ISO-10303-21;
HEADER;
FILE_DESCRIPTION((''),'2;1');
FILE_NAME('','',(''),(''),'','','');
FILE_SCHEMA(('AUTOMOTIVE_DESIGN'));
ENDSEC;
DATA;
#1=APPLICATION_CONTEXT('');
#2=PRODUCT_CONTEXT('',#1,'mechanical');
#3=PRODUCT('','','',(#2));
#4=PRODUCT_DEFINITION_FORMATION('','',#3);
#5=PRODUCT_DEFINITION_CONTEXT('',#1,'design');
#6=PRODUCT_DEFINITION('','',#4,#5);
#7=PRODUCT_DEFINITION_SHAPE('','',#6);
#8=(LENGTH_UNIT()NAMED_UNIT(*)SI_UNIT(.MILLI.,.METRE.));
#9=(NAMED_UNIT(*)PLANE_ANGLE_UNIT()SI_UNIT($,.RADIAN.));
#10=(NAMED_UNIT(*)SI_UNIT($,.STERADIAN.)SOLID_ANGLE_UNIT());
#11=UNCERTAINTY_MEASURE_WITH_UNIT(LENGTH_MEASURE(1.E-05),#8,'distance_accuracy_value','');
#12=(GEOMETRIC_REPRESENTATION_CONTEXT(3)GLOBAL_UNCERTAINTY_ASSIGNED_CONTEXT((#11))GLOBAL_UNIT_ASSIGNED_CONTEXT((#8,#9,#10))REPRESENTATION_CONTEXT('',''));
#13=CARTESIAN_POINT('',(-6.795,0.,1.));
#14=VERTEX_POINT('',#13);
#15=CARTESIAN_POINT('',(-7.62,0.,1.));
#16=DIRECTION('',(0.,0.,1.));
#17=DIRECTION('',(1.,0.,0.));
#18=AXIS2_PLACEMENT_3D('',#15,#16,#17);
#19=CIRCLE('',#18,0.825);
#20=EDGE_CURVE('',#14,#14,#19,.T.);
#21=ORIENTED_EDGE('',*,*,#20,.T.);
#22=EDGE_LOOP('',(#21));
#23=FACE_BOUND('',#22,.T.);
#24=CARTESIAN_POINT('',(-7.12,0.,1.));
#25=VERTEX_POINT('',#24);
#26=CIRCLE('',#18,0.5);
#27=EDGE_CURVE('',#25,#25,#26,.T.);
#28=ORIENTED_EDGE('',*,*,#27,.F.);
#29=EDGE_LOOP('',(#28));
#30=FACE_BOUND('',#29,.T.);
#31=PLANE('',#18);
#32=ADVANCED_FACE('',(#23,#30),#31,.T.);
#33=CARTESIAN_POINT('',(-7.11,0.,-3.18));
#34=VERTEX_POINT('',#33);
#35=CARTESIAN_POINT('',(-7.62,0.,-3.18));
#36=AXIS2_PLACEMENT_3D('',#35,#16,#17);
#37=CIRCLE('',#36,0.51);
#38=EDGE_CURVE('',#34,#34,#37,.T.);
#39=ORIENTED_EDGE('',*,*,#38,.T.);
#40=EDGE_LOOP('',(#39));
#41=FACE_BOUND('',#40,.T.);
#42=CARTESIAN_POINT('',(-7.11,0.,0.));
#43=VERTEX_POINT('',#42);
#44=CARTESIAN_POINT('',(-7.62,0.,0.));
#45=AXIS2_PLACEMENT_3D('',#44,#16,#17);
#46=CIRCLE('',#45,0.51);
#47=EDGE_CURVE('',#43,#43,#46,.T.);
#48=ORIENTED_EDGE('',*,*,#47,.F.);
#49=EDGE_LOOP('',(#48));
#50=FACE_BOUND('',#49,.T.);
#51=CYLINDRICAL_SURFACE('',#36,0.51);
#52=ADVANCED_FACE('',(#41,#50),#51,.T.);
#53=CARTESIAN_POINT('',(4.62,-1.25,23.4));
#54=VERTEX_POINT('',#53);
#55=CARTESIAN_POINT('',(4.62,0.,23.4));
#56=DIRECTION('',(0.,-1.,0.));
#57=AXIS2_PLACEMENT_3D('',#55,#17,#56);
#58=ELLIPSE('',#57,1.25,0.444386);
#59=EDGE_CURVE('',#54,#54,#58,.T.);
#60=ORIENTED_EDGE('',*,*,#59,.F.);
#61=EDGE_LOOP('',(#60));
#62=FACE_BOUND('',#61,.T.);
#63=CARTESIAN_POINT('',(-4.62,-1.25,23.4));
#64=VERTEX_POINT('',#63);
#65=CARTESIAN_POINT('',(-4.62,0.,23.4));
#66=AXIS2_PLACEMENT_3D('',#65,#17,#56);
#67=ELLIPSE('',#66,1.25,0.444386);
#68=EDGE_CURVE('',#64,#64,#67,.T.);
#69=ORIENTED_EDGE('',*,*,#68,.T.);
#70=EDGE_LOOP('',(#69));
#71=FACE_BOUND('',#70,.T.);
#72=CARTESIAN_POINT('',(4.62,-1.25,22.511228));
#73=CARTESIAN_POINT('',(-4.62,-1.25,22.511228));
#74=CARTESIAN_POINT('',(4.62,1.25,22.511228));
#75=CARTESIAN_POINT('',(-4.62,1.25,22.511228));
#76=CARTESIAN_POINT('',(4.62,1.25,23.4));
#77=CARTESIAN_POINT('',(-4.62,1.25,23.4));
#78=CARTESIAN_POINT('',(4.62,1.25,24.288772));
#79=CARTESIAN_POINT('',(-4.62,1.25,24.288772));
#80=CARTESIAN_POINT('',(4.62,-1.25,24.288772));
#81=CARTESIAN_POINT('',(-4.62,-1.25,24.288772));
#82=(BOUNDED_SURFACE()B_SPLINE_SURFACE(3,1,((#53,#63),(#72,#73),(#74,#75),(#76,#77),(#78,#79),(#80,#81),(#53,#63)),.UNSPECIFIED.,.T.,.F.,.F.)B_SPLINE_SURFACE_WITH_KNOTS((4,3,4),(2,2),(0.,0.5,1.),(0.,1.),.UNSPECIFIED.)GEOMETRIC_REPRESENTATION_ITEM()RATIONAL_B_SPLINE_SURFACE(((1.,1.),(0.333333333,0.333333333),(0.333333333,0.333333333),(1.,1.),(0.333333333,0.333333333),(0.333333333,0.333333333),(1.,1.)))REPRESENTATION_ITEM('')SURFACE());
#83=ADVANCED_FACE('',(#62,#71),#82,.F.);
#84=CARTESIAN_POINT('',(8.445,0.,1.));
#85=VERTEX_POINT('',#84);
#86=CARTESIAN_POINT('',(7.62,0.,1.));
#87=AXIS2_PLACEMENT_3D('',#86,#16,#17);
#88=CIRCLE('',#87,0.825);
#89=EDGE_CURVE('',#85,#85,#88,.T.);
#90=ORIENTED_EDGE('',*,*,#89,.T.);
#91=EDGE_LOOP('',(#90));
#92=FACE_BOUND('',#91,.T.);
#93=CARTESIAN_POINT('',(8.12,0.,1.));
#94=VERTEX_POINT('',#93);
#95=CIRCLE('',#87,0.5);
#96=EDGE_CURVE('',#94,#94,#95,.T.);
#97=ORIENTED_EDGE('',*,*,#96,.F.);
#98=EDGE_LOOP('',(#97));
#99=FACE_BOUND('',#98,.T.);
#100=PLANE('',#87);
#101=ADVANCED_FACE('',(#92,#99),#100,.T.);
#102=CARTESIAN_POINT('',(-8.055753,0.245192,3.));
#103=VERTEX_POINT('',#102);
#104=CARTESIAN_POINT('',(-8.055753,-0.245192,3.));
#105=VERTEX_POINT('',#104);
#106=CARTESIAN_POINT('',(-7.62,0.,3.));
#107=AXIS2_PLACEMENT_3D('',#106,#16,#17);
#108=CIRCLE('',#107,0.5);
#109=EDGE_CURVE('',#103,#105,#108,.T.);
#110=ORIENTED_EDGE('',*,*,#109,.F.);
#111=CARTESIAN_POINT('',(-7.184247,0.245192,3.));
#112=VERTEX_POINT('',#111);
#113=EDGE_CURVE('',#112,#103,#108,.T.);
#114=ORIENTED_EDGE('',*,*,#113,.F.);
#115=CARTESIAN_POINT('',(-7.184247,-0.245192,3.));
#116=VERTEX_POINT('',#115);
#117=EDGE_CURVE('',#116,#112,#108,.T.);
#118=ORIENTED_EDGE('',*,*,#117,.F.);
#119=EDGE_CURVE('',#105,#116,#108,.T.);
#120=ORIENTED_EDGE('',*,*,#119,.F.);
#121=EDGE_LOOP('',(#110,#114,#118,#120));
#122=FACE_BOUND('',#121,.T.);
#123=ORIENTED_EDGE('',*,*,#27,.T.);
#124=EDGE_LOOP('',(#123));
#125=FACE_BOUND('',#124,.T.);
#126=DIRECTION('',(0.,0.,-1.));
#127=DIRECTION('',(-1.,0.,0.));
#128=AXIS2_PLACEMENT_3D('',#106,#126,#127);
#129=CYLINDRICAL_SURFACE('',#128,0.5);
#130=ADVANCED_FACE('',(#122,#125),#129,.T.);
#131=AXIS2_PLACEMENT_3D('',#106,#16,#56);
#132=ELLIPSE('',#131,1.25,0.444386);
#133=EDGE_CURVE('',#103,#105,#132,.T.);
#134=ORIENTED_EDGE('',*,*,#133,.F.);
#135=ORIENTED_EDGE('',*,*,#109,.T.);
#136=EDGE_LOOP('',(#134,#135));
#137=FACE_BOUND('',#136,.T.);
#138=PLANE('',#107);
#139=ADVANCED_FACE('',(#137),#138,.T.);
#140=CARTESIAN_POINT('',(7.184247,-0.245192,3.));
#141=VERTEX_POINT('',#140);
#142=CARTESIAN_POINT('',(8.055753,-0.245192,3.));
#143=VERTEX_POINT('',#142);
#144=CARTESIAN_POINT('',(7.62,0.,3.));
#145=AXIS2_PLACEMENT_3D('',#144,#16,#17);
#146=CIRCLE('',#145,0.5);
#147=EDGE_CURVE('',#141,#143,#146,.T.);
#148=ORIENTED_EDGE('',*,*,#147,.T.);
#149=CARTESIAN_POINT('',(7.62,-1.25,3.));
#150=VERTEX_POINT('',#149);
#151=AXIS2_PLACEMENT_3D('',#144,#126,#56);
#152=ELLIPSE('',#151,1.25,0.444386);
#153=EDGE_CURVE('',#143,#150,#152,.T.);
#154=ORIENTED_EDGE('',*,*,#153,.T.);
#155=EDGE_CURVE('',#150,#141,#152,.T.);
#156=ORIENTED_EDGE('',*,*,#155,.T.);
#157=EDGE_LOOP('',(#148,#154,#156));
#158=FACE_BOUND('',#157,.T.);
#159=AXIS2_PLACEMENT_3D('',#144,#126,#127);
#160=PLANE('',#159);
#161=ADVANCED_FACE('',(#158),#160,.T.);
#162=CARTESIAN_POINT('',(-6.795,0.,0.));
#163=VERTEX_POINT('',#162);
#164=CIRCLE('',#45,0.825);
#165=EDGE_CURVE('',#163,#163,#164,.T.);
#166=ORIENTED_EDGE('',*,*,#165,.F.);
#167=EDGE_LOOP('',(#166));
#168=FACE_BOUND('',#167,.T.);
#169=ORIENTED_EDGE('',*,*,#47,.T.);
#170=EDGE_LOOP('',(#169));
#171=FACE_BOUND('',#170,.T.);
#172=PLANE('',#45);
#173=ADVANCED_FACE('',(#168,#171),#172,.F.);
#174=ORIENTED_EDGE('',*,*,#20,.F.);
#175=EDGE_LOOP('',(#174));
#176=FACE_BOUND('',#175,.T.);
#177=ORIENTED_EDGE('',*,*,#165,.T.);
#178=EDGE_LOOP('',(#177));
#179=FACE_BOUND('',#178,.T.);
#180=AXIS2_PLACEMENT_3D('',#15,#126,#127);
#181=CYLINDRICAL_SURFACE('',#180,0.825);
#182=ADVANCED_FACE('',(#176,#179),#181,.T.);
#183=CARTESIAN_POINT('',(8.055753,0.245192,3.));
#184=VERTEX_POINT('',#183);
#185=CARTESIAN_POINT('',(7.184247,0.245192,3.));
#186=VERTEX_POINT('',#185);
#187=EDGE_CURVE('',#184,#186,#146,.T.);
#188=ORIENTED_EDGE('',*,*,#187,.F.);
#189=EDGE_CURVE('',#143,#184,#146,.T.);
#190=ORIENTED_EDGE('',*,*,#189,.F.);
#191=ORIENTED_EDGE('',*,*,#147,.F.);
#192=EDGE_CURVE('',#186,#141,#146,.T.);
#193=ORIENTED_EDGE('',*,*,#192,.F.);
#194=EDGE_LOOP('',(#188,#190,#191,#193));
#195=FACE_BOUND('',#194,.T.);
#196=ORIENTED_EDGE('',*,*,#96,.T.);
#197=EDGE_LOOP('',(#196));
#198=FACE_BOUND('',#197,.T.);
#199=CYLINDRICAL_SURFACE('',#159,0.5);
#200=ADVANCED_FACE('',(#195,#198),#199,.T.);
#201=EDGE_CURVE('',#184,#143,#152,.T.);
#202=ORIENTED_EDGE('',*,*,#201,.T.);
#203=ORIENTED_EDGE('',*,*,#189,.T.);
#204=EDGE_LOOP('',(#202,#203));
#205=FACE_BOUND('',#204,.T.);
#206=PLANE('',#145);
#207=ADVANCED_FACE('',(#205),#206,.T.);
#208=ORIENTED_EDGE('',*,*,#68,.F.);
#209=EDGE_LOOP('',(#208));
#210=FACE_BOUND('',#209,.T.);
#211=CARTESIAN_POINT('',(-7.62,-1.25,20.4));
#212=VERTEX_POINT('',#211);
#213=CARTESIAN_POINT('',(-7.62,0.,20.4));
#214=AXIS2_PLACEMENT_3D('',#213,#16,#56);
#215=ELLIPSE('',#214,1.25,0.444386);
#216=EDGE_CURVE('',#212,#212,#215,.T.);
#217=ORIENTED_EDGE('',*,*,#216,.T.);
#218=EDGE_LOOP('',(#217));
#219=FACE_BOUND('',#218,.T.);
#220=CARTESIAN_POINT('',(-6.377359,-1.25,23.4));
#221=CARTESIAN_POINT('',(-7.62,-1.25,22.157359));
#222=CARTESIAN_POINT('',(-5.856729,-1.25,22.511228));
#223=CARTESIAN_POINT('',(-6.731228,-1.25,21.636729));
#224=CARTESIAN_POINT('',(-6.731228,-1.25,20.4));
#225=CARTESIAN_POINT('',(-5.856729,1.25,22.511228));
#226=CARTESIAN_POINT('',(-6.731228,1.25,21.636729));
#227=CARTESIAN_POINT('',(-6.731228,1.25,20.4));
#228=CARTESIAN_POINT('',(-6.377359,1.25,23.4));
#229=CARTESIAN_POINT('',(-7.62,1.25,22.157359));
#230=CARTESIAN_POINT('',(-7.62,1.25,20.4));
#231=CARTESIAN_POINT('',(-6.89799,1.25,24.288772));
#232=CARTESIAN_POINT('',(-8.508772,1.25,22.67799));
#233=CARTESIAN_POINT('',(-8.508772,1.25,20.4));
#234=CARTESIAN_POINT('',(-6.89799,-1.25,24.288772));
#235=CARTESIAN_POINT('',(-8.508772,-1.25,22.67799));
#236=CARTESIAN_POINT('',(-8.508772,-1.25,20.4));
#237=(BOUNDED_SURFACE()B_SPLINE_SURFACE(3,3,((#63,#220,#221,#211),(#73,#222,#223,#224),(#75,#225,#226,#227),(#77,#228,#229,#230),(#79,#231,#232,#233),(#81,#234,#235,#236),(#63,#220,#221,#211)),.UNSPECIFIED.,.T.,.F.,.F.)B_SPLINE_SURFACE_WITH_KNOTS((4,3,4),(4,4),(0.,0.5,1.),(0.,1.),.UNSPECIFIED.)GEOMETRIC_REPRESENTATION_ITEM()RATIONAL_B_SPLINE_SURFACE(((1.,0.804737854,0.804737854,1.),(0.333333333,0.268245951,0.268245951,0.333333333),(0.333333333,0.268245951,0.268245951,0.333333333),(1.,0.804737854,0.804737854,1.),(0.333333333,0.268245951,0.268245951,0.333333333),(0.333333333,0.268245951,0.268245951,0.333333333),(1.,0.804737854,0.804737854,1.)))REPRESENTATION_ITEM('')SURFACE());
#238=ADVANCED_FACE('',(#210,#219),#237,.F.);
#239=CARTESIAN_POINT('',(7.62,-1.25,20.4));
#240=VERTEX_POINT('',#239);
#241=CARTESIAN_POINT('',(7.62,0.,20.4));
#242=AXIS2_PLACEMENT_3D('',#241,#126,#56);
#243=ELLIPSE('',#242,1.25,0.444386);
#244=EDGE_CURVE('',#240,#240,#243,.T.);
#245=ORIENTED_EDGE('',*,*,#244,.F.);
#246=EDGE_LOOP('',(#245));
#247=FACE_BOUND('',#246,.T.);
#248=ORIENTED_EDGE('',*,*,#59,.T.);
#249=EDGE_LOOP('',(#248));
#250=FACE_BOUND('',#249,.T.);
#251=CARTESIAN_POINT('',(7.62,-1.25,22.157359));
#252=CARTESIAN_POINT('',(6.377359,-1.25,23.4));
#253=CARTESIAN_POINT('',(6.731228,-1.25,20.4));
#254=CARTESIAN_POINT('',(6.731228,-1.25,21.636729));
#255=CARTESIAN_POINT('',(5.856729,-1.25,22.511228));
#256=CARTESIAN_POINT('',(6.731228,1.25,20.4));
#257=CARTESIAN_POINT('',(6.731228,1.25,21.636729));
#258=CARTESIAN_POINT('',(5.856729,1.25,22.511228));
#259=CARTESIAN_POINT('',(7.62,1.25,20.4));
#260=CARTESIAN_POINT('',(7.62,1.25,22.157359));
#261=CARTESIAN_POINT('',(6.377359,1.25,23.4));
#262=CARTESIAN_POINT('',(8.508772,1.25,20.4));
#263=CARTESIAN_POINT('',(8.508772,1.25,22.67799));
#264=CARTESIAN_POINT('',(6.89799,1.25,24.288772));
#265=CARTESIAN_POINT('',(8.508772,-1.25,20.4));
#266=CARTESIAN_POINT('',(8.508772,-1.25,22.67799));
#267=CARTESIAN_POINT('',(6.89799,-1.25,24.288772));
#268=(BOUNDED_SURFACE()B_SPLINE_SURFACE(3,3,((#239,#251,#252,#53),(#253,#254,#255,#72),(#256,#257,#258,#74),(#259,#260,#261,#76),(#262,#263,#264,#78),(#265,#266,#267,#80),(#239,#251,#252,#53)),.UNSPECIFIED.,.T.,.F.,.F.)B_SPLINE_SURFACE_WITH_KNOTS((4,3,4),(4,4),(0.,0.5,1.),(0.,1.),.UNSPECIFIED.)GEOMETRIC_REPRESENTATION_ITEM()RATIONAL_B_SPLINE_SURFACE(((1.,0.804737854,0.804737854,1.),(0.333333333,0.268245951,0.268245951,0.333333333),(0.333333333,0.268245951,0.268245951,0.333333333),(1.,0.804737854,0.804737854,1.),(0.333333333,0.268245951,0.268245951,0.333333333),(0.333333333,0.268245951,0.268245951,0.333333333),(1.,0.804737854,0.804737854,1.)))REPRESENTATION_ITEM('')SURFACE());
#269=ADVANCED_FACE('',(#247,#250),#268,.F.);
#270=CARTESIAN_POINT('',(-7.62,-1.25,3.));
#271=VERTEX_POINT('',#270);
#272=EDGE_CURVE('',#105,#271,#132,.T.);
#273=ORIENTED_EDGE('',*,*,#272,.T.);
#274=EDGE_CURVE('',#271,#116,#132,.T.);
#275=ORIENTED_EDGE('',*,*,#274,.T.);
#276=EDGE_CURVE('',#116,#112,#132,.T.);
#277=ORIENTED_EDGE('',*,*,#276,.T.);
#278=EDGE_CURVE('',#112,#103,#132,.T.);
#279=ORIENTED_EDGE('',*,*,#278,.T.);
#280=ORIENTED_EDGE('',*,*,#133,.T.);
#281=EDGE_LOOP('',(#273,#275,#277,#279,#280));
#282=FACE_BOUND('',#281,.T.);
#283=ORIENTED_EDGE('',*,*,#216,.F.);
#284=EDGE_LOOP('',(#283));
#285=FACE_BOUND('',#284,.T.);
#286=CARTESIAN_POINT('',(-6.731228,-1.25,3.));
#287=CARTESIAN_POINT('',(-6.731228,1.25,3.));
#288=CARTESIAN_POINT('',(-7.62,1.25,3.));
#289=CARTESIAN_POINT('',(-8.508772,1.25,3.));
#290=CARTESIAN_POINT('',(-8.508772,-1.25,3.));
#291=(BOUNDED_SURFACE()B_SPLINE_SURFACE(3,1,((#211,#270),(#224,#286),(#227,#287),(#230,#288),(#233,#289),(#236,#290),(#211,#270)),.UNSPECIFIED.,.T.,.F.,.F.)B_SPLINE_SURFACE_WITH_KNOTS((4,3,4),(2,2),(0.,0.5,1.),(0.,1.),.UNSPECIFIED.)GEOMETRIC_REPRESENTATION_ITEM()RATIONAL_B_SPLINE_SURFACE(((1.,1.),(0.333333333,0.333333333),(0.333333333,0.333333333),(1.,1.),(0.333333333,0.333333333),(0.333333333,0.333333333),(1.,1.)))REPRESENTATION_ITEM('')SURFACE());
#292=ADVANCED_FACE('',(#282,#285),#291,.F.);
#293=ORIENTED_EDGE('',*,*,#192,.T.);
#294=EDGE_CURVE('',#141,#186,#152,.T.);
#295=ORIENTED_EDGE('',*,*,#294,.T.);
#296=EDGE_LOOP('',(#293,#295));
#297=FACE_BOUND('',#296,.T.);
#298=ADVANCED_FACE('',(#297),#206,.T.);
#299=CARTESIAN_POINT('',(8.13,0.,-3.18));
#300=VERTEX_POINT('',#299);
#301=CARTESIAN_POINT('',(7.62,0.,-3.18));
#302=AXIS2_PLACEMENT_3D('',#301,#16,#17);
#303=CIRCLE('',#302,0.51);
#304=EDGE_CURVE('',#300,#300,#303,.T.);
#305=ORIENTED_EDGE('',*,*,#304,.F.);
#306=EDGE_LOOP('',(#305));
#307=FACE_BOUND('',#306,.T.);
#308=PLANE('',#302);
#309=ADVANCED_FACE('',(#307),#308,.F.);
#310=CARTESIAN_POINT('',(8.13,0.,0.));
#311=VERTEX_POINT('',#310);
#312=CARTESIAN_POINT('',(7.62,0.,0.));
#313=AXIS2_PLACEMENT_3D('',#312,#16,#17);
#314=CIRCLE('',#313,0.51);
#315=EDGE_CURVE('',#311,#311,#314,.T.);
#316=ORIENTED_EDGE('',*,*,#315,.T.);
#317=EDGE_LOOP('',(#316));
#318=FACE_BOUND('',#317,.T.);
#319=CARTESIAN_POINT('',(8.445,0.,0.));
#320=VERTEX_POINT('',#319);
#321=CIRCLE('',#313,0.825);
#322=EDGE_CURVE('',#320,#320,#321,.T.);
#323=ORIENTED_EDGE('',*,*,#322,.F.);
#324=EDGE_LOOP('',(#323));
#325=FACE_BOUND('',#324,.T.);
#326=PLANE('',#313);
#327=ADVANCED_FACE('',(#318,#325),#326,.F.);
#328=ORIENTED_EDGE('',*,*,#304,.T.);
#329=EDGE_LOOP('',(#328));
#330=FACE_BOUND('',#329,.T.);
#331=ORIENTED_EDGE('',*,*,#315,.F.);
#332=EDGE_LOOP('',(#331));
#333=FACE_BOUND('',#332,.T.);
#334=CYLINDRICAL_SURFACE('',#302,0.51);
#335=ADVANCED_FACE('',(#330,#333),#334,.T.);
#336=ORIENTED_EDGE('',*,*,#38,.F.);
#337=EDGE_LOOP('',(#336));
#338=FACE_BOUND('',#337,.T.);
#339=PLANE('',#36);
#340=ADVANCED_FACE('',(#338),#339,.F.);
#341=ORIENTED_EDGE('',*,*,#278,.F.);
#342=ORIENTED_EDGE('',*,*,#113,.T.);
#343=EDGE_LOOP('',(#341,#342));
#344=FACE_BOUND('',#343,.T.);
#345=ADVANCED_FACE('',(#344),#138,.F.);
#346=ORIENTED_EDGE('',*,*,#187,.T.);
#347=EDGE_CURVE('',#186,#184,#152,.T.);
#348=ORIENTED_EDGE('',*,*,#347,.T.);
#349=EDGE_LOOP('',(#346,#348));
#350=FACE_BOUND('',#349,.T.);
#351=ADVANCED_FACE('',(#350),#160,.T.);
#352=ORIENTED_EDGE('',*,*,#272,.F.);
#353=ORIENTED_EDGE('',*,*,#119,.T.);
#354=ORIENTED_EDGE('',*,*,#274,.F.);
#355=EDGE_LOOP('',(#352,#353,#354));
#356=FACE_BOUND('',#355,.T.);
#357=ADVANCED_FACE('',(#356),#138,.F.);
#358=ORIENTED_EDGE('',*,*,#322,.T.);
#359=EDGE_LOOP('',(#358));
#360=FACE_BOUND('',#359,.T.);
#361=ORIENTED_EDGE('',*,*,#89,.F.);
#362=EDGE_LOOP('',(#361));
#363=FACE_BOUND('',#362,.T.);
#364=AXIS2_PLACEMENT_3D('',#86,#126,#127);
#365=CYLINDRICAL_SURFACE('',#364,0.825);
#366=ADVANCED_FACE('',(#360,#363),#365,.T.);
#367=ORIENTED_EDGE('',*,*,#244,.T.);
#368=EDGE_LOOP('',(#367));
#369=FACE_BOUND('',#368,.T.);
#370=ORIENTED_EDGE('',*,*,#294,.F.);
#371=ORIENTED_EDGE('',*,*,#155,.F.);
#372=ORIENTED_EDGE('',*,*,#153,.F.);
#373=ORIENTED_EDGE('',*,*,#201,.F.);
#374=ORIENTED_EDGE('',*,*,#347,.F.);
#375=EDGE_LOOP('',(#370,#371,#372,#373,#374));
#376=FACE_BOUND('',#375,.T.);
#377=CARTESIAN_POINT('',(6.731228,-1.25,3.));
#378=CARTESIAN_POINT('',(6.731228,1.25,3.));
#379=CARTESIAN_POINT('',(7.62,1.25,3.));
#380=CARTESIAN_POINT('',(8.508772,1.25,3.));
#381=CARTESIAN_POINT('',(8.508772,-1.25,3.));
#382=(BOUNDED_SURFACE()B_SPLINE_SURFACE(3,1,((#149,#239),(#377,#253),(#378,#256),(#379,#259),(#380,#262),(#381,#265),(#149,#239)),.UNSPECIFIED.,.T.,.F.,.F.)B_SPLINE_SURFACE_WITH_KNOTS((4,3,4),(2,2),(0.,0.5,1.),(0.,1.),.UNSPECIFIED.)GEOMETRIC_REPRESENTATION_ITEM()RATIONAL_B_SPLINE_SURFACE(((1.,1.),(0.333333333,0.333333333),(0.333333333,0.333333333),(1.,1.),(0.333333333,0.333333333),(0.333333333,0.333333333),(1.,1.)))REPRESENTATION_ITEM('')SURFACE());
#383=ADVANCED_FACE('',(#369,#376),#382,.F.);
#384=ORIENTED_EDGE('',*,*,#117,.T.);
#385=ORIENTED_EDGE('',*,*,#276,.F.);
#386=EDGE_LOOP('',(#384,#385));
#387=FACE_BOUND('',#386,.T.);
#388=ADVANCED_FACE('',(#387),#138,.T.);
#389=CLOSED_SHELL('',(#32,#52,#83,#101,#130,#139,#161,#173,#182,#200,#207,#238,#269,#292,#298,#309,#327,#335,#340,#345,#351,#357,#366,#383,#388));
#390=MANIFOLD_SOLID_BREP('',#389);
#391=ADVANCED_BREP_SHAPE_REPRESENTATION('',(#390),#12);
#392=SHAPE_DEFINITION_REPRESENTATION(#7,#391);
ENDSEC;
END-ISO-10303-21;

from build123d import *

# Parameters (mm, degrees)
SKETCH1_R             = 0.51
BOSS_EXTRUDE1_DEPTH   = 3.18
BOSS_EXTRUDE1_2_DEPTH = 3.18
SKETCH2_R             = 0.825
BOSS_EXTRUDE2_DEPTH   = 1
SKETCH3_R             = 0.5
BOSS_EXTRUDE3_DEPTH   = 2
SKETCH5_RX            = 1.25
SKETCH5_RY            = 0.444386005


with BuildPart() as part:
    # Sketch1 → Boss-Extrude1 (new body)
    with BuildSketch(Plane.XY):
        with Locations((-7.62, 0)):
            Circle(SKETCH1_R)
    extrude(amount=-BOSS_EXTRUDE1_DEPTH)



with BuildPart() as body_2:
    # Sketch1 → Boss-Extrude1 2 (new body)
    with BuildSketch(Plane.XY):
        with Locations((7.62, 0)):
            Circle(SKETCH1_R)
    extrude(amount=-BOSS_EXTRUDE1_2_DEPTH)


with BuildPart() as part_1:
    add(part.part)

    add(body_2.part)  # Boss-Extrude2 merges body 2
    # Sketch2 → Boss-Extrude2 (add)
    with BuildSketch(Plane.XY):
        with Locations((-7.62, 0)):
            Circle(SKETCH2_R)
        with Locations((7.62, 0)):
            Circle(SKETCH2_R)
    extrude(amount=BOSS_EXTRUDE2_DEPTH)

    # Sketch3 → Boss-Extrude3 (add)
    with BuildSketch(Plane.XY.offset(1)):
        with Locations((-7.62, 0)):
            Circle(SKETCH3_R)
        with Locations((7.62, 0)):
            Circle(SKETCH3_R)
    extrude(amount=BOSS_EXTRUDE3_DEPTH)

    # Sweep1: sweep along a path in Sketch4
    with BuildLine(Plane(origin=(0, 0, 0), x_dir=(1, 0, 0), z_dir=(0, 1, 0))) as sweep1_path:
        Line((-7.62, -3), (-7.62, -20.4))
        ThreePointArc((-7.62, -20.4), (-6.741320344, -22.521320344), (-4.62, -23.4))
        Line((-4.62, -23.4), (4.62, -23.4))
        ThreePointArc((4.62, -23.4), (6.741320344, -22.521320344), (7.62, -20.4))
        Line((7.62, -20.4), (7.62, -3))
    # Sketch5 → Sweep1 (sweep)
    with BuildSketch(Plane.XY.offset(3)):
        with Locations(Location((-7.62, 0), (0, 0, -90))):
            Ellipse(SKETCH5_RX, SKETCH5_RY)
    sweep(path=sweep1_path.line)


solid = part_1.part
